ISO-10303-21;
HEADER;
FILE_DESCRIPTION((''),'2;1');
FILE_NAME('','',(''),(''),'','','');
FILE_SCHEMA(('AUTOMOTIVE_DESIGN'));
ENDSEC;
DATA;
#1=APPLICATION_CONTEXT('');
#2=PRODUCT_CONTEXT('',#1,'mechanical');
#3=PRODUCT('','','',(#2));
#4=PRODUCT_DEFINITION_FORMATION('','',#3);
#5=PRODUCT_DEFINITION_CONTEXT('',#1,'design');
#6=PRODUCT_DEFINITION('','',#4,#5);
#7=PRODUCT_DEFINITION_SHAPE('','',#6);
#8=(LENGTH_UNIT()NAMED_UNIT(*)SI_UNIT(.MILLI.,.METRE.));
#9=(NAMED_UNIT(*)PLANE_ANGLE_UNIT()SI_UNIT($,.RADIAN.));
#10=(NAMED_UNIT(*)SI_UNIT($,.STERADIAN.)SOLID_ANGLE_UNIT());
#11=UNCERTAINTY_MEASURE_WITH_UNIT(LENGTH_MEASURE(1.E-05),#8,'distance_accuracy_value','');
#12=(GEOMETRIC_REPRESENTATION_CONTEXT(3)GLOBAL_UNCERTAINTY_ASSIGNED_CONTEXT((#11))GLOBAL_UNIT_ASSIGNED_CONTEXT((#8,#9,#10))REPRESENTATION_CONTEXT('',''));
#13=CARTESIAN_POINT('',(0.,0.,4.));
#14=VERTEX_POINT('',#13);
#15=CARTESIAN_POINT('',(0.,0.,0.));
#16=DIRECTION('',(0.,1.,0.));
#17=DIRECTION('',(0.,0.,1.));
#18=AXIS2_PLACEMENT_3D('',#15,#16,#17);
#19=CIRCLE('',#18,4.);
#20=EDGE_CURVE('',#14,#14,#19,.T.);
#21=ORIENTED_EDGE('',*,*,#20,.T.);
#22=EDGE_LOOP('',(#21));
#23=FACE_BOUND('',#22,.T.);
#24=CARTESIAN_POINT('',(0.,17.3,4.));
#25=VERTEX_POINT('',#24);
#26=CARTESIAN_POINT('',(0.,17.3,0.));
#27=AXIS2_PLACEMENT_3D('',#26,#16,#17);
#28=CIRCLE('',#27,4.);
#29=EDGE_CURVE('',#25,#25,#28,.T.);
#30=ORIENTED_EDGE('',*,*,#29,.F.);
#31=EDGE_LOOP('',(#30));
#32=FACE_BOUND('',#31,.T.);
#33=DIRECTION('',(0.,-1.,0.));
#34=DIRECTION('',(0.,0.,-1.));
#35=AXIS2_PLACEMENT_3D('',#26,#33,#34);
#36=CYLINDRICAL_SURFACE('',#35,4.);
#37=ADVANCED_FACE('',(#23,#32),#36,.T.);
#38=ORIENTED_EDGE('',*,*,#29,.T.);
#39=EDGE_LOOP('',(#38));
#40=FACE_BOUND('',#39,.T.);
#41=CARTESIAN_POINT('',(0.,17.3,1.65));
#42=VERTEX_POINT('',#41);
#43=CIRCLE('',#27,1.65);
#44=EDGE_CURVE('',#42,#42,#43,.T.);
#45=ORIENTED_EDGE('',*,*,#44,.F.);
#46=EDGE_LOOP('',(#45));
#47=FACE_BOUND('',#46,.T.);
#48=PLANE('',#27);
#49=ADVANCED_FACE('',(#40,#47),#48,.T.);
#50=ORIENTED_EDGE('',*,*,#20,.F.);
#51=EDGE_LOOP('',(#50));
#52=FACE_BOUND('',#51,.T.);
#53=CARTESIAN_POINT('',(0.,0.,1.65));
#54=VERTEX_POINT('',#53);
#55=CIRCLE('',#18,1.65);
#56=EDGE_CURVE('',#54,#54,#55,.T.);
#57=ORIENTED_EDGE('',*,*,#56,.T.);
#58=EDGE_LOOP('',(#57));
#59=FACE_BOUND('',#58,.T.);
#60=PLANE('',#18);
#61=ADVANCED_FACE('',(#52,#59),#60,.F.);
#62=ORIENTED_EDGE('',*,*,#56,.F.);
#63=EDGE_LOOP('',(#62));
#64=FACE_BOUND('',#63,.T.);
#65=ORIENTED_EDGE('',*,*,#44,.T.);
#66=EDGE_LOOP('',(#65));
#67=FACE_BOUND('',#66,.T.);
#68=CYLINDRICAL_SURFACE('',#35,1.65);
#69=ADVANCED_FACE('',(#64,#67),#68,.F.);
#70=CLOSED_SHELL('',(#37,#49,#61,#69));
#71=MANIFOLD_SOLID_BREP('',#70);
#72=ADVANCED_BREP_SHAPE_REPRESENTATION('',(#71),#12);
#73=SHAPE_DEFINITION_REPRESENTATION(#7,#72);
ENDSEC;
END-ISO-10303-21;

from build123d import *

# Parameters (mm, degrees)
SKETCH_1_R      = 4
SKETCH_1_R_2    = 1.65
EXTRUDE_1_DEPTH = 17.3


with BuildPart() as part:
    # ｽｹｯﾁ1 → ﾎﾞｽ - 押し出し1 (new body)
    with BuildSketch(Plane(origin=(0, 0, 0), x_dir=(1, 0, 0), z_dir=(0, 1, 0))):
        with Locations(Location((0, 0, 0), (0, 0, 270))):
            Circle(SKETCH_1_R)
        with Locations(Location((0, 0, 0), (0, 0, 270))):
            Circle(SKETCH_1_R_2, mode=Mode.SUBTRACT)
    extrude(amount=EXTRUDE_1_DEPTH)


solid = part.part
